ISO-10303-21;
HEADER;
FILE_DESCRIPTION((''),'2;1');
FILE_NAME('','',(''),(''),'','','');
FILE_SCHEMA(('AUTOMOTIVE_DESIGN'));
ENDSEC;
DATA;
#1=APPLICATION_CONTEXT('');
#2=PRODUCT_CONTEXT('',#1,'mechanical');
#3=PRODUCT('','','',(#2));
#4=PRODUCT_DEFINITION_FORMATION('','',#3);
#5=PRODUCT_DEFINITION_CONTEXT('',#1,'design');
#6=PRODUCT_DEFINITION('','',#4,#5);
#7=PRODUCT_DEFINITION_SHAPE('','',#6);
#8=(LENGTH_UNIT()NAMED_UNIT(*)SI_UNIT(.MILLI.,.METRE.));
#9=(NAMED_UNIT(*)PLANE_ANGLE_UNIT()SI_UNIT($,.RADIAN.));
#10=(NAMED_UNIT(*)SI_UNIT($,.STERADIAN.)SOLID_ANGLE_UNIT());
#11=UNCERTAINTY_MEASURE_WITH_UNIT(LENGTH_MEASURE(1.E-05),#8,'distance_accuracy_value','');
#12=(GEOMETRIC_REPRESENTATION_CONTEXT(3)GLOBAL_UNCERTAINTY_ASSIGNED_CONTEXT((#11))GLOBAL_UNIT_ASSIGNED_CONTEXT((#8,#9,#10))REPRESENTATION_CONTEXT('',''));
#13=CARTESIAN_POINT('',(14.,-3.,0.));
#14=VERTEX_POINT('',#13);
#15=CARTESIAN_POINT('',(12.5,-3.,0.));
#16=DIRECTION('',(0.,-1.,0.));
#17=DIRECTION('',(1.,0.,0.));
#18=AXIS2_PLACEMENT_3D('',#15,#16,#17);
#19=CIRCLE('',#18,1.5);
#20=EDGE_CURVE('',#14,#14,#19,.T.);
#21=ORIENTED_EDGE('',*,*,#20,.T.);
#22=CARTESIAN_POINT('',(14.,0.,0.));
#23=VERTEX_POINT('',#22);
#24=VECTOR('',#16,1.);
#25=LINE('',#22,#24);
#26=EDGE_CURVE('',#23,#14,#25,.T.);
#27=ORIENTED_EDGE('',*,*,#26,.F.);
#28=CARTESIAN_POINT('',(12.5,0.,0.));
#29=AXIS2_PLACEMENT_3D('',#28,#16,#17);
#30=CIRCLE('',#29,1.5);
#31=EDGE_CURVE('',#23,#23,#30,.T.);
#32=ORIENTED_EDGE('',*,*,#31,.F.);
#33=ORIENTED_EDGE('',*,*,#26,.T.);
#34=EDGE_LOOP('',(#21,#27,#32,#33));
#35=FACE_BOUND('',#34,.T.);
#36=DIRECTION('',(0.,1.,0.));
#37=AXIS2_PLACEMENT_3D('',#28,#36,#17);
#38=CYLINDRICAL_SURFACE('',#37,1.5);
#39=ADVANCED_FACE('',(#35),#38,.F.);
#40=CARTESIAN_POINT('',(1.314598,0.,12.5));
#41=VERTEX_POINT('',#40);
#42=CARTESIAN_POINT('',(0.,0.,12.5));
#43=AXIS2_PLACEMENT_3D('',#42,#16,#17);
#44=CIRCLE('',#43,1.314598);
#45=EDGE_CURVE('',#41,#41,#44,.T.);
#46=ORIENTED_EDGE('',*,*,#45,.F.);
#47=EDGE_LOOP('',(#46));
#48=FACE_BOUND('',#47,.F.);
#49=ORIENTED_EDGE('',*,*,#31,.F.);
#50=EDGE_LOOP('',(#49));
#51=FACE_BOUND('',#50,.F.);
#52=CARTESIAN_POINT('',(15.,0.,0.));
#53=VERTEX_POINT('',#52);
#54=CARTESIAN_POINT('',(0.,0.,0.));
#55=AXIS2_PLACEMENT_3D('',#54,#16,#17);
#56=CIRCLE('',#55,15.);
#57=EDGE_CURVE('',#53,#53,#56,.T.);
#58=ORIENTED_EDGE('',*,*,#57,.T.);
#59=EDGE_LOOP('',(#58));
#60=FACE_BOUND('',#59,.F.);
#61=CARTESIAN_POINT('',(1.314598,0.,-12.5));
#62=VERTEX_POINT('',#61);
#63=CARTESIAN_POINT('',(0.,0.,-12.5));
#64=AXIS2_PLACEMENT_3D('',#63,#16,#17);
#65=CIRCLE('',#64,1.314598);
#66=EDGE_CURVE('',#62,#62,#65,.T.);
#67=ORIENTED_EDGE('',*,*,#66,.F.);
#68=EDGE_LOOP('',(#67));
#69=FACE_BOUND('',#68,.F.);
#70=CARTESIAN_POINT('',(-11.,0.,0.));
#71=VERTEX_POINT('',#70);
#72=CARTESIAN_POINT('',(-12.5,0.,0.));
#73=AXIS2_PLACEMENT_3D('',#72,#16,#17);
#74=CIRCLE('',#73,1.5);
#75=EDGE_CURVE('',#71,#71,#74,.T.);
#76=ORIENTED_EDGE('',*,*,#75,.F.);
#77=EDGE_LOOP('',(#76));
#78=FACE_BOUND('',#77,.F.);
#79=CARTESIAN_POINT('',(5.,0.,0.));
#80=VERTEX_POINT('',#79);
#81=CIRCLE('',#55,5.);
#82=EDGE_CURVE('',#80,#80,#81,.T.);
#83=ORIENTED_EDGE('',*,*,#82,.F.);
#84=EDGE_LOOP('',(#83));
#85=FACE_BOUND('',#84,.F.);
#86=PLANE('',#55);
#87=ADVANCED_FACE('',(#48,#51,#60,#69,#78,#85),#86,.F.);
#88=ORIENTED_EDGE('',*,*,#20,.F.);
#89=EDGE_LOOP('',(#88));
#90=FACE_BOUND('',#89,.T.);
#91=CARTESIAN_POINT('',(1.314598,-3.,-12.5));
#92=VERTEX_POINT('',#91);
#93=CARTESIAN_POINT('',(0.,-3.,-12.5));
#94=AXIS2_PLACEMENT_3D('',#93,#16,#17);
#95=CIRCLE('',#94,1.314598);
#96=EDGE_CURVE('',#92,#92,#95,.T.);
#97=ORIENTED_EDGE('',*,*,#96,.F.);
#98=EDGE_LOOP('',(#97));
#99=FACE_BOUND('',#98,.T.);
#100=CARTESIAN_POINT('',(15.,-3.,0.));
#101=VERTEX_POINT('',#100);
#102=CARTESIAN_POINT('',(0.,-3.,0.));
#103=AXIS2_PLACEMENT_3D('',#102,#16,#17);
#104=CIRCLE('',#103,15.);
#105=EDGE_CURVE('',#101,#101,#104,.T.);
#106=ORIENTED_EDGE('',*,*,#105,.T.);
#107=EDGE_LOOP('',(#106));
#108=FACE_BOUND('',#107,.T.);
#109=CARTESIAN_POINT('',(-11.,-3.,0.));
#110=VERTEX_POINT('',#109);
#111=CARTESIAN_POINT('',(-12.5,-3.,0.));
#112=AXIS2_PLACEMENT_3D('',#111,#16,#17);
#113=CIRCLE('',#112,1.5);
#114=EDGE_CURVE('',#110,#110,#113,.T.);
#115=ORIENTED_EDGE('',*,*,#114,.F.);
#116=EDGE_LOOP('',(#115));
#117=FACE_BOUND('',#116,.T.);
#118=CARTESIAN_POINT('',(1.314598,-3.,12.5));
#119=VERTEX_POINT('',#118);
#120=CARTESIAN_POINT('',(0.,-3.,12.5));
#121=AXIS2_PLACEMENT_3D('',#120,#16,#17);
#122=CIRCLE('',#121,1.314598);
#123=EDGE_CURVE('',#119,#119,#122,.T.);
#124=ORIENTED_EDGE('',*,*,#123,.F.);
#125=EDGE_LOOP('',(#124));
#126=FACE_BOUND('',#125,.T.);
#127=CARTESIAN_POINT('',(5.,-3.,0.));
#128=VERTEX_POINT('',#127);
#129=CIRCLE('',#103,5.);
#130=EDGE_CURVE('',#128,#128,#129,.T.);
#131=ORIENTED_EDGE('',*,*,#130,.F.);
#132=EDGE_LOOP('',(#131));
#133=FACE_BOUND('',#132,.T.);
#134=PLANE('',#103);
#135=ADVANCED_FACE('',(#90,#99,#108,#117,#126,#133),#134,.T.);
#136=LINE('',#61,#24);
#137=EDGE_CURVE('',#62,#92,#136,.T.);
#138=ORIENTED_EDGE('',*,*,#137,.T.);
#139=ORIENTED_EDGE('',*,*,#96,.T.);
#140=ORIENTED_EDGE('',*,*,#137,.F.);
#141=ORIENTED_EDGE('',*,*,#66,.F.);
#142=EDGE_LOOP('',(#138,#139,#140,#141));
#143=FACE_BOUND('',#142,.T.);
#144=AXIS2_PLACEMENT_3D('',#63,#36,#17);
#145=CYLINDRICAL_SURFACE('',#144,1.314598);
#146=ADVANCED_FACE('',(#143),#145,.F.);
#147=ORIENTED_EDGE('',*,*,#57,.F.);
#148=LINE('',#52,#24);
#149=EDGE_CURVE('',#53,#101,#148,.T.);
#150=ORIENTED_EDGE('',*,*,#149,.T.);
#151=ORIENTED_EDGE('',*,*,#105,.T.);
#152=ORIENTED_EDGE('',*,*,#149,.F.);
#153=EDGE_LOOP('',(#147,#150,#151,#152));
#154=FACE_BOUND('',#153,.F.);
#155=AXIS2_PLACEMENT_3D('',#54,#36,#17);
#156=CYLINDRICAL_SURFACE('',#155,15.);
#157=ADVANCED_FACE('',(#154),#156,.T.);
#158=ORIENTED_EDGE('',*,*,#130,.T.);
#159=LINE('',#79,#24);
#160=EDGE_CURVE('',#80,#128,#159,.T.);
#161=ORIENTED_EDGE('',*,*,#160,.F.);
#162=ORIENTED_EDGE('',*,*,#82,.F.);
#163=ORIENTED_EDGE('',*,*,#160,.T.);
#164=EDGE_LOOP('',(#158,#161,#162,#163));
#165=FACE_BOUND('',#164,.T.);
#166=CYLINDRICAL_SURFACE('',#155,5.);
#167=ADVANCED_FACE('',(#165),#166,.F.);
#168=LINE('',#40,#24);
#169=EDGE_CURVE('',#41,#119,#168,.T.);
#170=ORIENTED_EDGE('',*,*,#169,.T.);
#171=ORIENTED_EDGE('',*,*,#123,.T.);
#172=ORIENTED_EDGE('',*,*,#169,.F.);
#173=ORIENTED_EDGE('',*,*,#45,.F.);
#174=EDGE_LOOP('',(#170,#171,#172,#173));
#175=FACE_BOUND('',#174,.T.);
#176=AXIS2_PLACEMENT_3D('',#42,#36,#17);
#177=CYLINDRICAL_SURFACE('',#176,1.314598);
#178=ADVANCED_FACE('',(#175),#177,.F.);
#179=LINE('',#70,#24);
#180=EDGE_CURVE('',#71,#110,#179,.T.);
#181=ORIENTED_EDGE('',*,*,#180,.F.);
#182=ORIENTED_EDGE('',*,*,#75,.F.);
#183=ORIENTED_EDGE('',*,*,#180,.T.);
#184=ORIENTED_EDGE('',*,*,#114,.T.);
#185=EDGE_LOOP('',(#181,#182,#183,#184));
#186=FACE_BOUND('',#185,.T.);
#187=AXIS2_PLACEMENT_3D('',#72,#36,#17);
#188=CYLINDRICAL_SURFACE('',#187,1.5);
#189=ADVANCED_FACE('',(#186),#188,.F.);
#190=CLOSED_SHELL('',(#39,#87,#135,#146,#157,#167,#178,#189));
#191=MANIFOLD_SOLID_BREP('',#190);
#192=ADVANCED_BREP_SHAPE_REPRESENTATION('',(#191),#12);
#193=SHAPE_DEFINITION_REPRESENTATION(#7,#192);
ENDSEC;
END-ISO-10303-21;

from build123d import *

# Parameters (mm, degrees)
F0_R     = 15
F0_R_2   = 1.314598
F0_R_3   = 1.5
F0_R_4   = 5
F1_DEPTH = 3


with BuildPart() as f1:
    # F0 (on Front) → F1 (new body)
    with BuildSketch(Plane.XZ):
        Circle(F0_R)
        with Locations((0, -12.5)):
            Circle(F0_R_2, mode=Mode.SUBTRACT)
        with Locations((-12.5, 0)):
            Circle(F0_R_3, mode=Mode.SUBTRACT)
        Circle(F0_R_4, mode=Mode.SUBTRACT)
        with Locations((12.5, 0)):
            Circle(F0_R_3, mode=Mode.SUBTRACT)
        with Locations((0, 12.5)):
            Circle(F0_R_2, mode=Mode.SUBTRACT)
    extrude(amount=F1_DEPTH)


solid = f1.part
